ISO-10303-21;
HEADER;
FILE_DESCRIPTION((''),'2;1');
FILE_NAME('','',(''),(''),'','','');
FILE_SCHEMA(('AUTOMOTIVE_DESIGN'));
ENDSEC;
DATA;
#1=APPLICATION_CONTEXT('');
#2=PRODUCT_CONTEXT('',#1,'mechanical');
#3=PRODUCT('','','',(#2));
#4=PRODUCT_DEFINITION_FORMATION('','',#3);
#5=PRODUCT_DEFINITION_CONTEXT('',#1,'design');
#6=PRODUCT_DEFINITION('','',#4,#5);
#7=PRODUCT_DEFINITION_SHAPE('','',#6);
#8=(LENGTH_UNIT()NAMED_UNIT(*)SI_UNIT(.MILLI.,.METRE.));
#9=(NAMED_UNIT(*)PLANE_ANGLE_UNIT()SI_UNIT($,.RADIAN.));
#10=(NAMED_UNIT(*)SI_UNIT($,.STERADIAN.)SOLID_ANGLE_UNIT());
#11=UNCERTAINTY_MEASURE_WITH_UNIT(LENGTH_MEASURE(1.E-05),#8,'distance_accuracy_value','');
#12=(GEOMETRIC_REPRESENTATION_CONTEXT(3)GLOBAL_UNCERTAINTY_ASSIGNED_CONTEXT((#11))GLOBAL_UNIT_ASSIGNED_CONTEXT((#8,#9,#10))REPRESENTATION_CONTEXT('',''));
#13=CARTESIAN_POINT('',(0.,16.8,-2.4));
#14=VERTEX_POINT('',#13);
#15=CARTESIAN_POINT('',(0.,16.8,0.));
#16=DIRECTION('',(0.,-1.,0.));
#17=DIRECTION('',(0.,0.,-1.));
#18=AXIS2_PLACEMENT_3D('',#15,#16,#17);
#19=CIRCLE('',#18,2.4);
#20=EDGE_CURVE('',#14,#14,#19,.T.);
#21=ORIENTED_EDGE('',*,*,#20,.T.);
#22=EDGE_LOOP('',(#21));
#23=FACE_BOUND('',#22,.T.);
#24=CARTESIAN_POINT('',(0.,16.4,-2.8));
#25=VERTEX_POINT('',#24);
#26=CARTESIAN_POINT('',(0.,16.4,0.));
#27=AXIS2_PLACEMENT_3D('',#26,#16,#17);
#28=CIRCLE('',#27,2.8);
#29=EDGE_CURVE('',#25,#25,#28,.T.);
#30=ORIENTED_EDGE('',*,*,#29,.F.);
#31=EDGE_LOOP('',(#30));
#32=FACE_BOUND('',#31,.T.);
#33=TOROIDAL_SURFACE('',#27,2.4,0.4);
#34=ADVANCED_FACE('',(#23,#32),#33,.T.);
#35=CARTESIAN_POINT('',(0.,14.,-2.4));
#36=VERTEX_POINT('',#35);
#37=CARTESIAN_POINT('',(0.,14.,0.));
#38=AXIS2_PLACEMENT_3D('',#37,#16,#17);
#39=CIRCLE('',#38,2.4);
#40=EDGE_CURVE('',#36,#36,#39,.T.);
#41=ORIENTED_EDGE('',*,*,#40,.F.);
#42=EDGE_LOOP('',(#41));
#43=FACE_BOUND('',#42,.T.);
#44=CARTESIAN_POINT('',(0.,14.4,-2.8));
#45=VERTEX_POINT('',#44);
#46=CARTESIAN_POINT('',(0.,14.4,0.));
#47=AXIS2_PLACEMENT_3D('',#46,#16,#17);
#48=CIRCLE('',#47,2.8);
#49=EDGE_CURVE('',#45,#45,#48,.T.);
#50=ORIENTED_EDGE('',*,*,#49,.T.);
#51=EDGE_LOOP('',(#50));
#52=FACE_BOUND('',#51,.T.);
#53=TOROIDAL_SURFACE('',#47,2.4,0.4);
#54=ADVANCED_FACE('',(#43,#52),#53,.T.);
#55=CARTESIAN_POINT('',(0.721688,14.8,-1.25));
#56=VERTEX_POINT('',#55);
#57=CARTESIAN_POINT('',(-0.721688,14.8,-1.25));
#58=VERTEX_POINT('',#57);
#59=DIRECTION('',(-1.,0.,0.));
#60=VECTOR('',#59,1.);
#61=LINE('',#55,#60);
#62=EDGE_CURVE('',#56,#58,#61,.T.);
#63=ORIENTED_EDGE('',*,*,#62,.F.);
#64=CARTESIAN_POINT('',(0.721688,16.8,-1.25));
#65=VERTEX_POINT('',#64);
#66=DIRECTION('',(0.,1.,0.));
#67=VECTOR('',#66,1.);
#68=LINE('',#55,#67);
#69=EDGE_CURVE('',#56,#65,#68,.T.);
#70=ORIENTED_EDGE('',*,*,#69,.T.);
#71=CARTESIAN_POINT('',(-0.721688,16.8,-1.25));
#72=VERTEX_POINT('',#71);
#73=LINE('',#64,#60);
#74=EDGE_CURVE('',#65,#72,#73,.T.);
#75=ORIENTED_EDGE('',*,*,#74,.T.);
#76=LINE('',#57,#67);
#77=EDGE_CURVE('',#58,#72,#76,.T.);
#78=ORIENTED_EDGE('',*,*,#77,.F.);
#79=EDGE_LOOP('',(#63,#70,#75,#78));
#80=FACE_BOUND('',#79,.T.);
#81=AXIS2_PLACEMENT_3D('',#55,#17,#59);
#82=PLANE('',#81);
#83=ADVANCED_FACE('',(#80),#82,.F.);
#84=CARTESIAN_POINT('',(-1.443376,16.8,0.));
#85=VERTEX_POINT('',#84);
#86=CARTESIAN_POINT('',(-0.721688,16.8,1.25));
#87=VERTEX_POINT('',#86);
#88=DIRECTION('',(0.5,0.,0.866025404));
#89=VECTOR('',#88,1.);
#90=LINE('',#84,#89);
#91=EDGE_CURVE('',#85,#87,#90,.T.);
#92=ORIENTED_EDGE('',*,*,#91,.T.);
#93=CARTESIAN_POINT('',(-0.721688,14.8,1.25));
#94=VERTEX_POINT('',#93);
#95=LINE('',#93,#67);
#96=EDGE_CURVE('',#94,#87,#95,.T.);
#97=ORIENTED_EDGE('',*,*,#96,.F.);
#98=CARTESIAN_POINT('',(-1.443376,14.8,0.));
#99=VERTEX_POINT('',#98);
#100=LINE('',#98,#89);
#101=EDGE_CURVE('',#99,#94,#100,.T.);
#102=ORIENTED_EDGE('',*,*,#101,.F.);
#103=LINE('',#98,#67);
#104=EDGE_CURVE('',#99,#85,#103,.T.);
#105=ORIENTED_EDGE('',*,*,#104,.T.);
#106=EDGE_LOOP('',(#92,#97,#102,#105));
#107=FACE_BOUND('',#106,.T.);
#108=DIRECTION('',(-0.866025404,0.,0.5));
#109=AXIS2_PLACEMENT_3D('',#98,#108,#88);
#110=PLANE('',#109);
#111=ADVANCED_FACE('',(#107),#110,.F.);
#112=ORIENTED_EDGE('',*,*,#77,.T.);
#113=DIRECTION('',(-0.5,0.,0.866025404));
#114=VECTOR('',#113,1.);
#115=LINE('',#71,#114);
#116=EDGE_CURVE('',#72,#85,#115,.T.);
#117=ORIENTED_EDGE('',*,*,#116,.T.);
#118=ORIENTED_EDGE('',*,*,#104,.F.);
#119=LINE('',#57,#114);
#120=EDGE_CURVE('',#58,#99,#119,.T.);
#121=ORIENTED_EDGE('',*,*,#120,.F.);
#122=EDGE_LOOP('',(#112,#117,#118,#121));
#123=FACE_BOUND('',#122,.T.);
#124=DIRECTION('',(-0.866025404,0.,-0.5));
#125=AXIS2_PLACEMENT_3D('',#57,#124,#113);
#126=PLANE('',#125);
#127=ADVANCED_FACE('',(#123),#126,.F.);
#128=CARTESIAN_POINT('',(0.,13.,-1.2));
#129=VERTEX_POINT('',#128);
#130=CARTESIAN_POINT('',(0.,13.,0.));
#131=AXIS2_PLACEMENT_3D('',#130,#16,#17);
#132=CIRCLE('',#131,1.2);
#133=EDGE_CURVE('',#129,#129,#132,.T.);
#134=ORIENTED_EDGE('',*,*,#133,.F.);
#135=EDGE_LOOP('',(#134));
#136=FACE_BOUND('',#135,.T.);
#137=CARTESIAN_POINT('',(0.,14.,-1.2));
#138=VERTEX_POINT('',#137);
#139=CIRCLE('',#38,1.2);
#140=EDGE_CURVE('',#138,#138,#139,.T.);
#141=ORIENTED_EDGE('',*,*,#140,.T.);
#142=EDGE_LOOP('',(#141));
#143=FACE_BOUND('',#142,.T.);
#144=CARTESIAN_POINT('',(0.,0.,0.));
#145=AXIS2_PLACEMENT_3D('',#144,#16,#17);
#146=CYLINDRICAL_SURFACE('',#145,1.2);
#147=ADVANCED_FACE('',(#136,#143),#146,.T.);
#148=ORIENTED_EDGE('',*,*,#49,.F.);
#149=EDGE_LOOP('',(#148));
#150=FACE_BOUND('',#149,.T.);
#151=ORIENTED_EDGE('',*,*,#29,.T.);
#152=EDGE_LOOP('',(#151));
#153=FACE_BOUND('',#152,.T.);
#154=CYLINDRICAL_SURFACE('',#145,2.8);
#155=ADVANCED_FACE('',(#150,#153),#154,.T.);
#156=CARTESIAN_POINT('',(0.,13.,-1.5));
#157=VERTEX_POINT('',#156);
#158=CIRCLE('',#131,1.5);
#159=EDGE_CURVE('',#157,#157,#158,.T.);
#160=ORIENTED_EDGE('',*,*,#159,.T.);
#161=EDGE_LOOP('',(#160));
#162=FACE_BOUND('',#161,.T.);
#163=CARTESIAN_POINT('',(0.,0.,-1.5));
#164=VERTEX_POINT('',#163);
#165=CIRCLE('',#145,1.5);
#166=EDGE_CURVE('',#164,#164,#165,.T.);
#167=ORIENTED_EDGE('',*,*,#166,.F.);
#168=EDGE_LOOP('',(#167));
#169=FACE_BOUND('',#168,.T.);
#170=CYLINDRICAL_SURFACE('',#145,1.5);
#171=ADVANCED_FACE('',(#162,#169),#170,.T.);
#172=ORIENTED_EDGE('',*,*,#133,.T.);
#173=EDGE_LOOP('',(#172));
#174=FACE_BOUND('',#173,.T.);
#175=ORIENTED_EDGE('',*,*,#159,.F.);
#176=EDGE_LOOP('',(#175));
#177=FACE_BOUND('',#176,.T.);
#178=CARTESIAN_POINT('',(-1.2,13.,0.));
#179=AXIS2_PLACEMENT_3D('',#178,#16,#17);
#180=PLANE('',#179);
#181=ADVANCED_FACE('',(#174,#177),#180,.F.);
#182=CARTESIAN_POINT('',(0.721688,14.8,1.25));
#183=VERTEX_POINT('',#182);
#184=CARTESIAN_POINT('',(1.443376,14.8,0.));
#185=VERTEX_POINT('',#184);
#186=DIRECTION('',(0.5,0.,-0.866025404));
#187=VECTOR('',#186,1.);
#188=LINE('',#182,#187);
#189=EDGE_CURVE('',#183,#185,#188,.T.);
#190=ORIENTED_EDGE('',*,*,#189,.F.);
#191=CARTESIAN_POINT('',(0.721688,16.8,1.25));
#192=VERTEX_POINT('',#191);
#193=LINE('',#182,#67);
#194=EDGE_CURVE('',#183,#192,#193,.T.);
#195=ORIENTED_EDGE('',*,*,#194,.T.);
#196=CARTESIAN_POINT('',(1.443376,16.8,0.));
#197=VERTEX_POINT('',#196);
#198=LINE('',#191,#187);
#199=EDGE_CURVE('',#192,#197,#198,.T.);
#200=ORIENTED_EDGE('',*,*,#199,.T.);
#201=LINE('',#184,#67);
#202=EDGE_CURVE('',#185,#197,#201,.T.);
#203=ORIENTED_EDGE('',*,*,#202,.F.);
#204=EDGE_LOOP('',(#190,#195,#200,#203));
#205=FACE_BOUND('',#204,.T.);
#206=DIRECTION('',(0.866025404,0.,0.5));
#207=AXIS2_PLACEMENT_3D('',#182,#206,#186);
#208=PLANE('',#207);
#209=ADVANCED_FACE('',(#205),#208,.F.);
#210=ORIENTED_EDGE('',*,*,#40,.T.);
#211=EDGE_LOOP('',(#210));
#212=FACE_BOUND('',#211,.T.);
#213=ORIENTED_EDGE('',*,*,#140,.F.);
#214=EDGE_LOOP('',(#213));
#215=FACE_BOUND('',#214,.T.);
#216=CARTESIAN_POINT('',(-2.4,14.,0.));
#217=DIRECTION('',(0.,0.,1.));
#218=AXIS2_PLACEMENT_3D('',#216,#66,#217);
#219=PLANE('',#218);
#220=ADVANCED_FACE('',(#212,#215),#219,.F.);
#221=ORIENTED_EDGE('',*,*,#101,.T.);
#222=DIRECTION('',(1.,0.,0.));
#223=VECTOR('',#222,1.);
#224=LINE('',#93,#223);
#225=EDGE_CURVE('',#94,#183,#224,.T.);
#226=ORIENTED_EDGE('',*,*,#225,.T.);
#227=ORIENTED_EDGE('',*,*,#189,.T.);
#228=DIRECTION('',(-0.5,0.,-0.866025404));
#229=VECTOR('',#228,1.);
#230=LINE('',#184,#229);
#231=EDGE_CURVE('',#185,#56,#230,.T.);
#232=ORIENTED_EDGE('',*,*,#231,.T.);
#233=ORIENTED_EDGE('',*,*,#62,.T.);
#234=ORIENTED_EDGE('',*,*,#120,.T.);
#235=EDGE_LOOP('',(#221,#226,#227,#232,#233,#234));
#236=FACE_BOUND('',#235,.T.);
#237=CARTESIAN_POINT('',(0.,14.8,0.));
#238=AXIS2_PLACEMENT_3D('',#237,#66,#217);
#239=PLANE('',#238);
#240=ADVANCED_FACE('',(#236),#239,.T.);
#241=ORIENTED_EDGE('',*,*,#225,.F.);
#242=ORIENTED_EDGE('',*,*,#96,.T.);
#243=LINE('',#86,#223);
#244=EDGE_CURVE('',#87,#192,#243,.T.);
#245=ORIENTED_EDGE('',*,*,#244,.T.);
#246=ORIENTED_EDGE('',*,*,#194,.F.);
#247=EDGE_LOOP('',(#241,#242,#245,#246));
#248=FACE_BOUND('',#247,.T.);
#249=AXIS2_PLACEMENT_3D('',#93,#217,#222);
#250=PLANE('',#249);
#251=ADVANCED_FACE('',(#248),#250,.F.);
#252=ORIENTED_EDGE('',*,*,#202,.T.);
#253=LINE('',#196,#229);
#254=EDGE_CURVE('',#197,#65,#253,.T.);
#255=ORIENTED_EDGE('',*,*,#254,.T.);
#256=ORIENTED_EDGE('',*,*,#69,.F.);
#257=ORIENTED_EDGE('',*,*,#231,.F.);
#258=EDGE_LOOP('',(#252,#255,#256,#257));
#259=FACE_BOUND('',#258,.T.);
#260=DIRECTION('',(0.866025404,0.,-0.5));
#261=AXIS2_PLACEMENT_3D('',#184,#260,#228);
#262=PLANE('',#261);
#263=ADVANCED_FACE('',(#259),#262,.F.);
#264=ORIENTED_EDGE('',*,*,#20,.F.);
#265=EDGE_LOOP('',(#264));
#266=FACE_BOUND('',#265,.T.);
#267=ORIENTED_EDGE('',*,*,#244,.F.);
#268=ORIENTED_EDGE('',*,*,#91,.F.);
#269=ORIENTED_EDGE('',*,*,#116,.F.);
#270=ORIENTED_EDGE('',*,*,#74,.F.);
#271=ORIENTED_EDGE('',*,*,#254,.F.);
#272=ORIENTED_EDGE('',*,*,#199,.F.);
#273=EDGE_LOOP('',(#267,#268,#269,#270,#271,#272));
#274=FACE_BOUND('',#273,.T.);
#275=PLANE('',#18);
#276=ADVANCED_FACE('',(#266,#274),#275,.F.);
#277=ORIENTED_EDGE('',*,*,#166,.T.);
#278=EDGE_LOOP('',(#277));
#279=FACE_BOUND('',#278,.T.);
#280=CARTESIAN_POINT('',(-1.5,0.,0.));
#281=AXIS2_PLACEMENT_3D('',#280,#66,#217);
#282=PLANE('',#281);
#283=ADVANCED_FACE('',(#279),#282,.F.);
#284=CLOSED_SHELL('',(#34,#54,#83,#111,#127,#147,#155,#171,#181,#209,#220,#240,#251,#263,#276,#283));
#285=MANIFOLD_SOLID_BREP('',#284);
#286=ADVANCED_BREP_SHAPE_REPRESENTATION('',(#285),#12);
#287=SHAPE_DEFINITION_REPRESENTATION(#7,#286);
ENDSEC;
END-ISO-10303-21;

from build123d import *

# Parameters (mm, degrees)
CUT_EXTRUDE_1_DEPTH = 2


with BuildPart() as part:
    # 草图1 → 旋转1 (revolve)
    with BuildSketch(Plane.XY, mode=Mode.PRIVATE) as revolve_1_sk:
        with BuildLine():
            Line((0, 16.8), (-2.4, 16.8))
            ThreePointArc((-2.4, 16.8), (-2.682842712, 16.682842712), (-2.8, 16.4))
            Line((-2.8, 16.4), (-2.8, 14.4))
            ThreePointArc((-2.8, 14.4), (-2.682842712, 14.117157288), (-2.4, 14))
            Line((-2.4, 14), (-1.2, 14))
            Line((-1.2, 14), (-1.2, 13))
            Line((-1.2, 13), (-1.5, 13))
            Line((-1.5, 13), (-1.5, 0))
            Line((-1.5, 0), (0, 0))
            Line((0, 0), (0, 16.8))
        make_face()
    revolve(revolve_1_sk.sketch.rotate(Axis((0, 0, 0), (0, 1, 0)), 270), axis=Axis((0, 0, 0), (0, 1, 0)))

    # 草图2 → 切除-拉伸1 (cut)
    with BuildSketch(Plane(origin=(0, 16.8, 0), x_dir=(1, 0, 0), z_dir=(0, 1, 0))):
        Polygon((-0.721687836, 1.25), (-1.443375673, 0), (-0.721687836, -1.25), (0.721687836, -1.25), (1.443375673, 0), (0.721687836, 1.25), align=None)
    extrude(amount=-CUT_EXTRUDE_1_DEPTH, mode=Mode.SUBTRACT)


solid = part.part
